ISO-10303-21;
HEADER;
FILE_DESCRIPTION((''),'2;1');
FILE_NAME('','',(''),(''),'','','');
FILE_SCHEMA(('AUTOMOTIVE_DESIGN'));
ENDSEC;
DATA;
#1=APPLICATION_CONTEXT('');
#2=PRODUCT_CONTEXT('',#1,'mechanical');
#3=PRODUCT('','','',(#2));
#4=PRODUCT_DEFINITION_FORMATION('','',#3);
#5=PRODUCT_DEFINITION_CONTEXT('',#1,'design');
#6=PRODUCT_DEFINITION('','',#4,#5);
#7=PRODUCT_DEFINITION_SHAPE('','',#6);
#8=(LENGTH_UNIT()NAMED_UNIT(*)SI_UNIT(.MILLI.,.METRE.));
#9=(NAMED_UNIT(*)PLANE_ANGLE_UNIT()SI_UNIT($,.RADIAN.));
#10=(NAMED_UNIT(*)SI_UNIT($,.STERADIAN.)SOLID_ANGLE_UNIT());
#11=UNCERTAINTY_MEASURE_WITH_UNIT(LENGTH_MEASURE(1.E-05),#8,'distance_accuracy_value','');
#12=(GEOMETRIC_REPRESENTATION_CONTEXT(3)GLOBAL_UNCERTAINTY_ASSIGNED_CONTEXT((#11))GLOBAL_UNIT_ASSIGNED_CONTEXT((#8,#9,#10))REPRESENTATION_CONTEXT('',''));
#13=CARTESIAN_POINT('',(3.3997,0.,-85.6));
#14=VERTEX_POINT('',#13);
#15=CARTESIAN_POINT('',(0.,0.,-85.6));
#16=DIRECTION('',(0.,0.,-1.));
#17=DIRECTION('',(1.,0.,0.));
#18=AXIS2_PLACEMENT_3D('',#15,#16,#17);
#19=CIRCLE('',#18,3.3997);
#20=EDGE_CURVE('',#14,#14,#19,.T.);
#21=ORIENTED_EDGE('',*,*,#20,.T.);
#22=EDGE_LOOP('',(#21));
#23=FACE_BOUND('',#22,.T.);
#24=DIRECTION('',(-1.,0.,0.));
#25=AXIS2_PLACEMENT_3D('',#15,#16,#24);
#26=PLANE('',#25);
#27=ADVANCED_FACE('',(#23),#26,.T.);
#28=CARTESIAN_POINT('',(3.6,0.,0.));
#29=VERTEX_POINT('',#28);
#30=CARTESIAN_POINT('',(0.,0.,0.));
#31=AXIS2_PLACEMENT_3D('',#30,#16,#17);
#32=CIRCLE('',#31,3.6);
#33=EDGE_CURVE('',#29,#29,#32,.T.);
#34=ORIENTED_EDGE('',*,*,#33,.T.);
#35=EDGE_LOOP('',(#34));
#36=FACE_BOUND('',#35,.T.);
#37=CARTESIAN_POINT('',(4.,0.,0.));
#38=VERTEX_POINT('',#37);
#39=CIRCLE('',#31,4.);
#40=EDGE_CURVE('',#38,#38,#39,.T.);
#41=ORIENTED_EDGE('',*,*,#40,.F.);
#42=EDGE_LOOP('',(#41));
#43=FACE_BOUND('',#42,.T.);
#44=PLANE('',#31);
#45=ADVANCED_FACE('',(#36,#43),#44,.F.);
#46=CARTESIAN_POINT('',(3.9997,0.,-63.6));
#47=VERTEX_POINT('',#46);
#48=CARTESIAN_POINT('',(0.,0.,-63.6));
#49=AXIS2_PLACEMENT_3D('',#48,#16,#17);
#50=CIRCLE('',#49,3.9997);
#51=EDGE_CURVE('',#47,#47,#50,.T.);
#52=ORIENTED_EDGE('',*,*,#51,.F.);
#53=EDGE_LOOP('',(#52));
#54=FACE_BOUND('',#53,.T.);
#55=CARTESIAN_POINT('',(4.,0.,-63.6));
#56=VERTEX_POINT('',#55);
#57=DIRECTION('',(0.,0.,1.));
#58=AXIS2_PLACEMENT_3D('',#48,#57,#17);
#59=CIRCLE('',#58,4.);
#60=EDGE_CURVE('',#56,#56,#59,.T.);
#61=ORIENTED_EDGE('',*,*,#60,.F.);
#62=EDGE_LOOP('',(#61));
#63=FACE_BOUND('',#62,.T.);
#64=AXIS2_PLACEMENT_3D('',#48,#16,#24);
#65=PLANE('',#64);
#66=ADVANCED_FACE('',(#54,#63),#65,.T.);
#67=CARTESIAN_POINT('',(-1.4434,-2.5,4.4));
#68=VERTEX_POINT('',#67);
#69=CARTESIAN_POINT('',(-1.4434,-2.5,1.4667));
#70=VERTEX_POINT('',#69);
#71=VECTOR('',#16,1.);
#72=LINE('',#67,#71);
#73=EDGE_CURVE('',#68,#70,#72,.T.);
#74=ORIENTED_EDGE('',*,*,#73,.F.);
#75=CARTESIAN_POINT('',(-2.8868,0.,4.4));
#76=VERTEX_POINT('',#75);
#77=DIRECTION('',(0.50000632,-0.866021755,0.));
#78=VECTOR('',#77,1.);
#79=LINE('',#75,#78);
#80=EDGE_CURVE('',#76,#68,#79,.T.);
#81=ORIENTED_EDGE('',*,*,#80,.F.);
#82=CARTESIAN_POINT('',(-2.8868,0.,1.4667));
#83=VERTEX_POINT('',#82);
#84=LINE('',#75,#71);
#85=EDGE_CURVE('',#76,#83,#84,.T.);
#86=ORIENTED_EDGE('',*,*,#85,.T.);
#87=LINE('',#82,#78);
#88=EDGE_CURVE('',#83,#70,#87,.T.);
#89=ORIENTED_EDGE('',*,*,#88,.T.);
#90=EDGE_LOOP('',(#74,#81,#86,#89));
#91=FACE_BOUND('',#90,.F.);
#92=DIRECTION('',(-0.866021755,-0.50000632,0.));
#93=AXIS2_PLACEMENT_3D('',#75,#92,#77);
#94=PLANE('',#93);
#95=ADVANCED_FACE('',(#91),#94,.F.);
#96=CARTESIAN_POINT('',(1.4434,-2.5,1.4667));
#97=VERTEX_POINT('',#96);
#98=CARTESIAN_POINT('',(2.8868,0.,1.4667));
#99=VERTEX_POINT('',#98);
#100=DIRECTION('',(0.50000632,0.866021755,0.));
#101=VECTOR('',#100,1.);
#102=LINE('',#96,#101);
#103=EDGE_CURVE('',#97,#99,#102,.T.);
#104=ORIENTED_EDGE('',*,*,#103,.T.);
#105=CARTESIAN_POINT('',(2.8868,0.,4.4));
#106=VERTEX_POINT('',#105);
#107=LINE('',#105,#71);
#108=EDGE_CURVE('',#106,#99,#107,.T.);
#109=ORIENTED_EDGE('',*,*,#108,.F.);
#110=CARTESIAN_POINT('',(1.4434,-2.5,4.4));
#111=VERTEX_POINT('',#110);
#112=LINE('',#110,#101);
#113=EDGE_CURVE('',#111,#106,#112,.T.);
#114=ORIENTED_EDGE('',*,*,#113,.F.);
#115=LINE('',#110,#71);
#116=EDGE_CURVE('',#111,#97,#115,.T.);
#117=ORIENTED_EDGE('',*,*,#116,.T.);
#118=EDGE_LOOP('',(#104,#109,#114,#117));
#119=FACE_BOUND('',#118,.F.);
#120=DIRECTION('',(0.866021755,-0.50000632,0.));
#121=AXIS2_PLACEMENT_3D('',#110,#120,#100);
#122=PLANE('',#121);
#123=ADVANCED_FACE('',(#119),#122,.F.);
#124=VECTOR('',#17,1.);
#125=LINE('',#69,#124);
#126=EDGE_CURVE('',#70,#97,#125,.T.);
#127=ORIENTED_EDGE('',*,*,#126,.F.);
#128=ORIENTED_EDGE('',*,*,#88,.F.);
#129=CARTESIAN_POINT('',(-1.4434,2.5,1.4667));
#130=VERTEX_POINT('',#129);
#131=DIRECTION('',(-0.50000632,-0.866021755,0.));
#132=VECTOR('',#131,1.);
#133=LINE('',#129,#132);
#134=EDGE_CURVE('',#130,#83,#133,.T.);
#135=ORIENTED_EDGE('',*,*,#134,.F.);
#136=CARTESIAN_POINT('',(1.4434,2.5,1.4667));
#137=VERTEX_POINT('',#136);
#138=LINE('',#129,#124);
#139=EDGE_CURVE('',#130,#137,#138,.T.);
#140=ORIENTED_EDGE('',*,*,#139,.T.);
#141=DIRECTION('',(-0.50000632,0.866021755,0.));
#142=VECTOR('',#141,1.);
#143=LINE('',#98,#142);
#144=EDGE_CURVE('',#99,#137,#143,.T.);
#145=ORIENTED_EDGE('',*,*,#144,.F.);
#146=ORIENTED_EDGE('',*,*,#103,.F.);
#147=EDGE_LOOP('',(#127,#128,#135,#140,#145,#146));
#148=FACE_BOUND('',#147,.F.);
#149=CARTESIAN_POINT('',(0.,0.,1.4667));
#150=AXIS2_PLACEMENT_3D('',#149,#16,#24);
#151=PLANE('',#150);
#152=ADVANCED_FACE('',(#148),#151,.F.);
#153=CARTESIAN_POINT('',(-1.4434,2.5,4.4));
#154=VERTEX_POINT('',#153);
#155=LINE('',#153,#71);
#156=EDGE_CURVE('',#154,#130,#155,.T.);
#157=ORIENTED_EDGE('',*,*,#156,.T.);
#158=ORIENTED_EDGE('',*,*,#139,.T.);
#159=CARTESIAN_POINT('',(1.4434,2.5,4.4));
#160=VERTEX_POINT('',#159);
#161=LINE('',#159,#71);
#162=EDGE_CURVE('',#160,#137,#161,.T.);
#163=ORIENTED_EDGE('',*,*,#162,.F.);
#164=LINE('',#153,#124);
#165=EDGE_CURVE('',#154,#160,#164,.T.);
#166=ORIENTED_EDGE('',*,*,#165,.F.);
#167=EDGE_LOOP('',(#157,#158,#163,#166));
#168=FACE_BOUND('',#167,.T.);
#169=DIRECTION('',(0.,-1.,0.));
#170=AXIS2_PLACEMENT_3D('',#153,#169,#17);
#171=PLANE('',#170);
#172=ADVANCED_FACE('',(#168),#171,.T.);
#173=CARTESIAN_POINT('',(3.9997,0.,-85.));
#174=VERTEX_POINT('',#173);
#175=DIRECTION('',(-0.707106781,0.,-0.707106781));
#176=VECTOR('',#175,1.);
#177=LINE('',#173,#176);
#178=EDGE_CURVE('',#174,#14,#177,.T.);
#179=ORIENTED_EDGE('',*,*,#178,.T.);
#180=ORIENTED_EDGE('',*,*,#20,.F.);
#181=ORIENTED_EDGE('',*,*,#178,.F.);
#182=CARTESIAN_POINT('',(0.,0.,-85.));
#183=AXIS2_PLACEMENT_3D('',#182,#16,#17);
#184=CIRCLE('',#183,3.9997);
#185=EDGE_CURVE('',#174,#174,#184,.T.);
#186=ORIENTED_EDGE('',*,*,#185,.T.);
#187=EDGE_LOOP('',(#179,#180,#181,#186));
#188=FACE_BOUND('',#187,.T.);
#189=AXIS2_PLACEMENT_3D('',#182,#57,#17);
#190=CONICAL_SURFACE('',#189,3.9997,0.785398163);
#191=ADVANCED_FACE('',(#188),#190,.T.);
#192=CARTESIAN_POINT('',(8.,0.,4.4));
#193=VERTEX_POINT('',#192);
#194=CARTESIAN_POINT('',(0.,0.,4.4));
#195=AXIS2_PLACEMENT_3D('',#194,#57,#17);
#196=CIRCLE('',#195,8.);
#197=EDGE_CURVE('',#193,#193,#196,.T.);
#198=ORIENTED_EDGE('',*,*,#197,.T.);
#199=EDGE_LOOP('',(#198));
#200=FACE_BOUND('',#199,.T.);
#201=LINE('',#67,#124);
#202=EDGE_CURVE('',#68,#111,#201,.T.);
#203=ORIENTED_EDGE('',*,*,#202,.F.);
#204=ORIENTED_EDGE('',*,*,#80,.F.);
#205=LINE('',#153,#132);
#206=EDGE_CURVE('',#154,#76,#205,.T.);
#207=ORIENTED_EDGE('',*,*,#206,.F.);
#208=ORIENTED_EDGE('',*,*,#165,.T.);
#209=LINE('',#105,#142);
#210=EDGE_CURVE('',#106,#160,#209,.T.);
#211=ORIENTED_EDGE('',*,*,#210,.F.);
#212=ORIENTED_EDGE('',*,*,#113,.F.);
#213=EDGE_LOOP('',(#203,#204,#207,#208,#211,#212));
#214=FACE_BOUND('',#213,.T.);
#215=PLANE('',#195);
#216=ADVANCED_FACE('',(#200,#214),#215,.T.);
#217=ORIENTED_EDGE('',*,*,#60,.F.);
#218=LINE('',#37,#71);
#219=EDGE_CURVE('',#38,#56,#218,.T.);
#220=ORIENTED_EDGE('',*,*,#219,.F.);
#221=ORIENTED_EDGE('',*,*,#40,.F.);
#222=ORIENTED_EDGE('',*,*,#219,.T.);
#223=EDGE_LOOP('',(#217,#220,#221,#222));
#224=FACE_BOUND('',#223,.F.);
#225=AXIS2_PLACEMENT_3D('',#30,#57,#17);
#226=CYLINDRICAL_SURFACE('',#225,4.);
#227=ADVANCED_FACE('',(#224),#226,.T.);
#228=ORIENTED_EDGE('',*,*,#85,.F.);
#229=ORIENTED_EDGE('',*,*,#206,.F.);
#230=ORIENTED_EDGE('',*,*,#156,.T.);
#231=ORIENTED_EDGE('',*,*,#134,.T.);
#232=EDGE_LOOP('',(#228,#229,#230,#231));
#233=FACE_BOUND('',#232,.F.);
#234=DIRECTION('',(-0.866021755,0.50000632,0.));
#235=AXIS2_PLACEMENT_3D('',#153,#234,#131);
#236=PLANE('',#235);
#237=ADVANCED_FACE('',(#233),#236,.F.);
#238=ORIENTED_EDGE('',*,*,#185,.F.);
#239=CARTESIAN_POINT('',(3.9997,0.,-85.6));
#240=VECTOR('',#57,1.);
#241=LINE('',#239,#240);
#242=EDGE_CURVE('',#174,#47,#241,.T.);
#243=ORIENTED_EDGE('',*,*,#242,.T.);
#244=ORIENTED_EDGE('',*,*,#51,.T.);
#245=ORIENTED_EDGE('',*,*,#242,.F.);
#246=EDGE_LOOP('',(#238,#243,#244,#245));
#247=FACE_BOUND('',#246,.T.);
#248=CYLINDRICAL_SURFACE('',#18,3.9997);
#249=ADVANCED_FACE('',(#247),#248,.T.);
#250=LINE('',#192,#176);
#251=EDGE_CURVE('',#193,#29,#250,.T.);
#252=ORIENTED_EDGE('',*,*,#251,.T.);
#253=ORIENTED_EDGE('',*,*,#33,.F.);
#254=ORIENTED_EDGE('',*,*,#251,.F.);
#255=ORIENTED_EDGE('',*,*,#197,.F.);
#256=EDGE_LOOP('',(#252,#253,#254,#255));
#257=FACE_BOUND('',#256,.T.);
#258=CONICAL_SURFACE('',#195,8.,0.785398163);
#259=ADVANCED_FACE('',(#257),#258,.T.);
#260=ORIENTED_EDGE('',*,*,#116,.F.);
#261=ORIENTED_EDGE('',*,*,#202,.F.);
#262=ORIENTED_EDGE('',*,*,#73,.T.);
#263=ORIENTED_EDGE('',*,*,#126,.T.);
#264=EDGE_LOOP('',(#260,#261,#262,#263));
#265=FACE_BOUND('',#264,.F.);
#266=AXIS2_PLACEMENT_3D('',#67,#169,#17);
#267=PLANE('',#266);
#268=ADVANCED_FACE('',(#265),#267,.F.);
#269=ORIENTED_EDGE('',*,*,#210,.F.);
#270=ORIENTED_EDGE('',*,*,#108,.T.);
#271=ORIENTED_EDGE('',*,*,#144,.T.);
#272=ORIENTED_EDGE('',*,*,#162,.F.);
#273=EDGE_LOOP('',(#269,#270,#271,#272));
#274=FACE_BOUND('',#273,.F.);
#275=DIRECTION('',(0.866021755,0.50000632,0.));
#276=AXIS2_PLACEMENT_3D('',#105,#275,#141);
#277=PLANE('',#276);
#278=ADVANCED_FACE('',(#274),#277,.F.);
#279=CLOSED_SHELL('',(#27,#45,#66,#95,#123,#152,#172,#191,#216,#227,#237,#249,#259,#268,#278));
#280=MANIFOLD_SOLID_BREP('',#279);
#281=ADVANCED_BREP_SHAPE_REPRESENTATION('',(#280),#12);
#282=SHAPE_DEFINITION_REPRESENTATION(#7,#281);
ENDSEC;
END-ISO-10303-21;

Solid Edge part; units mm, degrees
sketch "Sketch1" plane through (0, 0, 0) normal (0, 0, 1) x (1, 0, 0)
  circle A0 centre (0, 0) radius 8
  dimension "D1" = 16
extrude "Protrusion1" add sketch "Sketch1" along normal blind 4.4
sketch "Sketch2" plane through (0, 0, 0) normal (0, 0, -1) x (1, 0, 0)
  circle A0 centre (0, 0) radius 4
extrude "Protrusion2" add sketch "Sketch2" along normal blind 85.6
sketch "Sketch3" plane through (0, 0, -85.6) normal (0, 0, -1) x (1, 0, 0)
  circle A0 centre (0, 0) radius 3.9997
extrude "Cutout1" cut sketch "Sketch3" against normal blind 22 flip side to cut
chamfer "Chamfer_1" distance 0.6 angle 45 1 edges at (-3.9997, 0, -85.6)
sketch "Sketch4" plane through (0, 0, 4.4) normal (0, 0, 1) x (1, 0, 0)
  line L0 (-1.4434, 2.5) -> (1.4434, 2.5)
  line L1 (2.8868, 0) -> (1.4434, 2.5)
  line L2 (1.4434, -2.5) -> (2.8868, 0)
  line L3 (-1.4434, -2.5) -> (1.4434, -2.5)
  line L4 (-2.8868, 0) -> (-1.4434, -2.5)
  line L5 (-1.4434, 2.5) -> (-2.8868, 0)
  dimension "D1" = 5
extrude "Cutout2" cut sketch "Sketch4" against normal blind 2.9333
sketch "Sketch5" plane through (0, 0, 0) normal (0, -1, 0) x (1, 0, 0)
  line L0 (8, 4.4) -> (3.6, 0)
  line L1 (3.6, 0) -> (8, 0)
  line L2 (8, 0) -> (8, 4.4)
revolve "RevolvedCutout1" cut sketch "Sketch5" angle 360 about axis through (0, 0, 14.0017) along (0, 0, -1)
properties part number "119584"
